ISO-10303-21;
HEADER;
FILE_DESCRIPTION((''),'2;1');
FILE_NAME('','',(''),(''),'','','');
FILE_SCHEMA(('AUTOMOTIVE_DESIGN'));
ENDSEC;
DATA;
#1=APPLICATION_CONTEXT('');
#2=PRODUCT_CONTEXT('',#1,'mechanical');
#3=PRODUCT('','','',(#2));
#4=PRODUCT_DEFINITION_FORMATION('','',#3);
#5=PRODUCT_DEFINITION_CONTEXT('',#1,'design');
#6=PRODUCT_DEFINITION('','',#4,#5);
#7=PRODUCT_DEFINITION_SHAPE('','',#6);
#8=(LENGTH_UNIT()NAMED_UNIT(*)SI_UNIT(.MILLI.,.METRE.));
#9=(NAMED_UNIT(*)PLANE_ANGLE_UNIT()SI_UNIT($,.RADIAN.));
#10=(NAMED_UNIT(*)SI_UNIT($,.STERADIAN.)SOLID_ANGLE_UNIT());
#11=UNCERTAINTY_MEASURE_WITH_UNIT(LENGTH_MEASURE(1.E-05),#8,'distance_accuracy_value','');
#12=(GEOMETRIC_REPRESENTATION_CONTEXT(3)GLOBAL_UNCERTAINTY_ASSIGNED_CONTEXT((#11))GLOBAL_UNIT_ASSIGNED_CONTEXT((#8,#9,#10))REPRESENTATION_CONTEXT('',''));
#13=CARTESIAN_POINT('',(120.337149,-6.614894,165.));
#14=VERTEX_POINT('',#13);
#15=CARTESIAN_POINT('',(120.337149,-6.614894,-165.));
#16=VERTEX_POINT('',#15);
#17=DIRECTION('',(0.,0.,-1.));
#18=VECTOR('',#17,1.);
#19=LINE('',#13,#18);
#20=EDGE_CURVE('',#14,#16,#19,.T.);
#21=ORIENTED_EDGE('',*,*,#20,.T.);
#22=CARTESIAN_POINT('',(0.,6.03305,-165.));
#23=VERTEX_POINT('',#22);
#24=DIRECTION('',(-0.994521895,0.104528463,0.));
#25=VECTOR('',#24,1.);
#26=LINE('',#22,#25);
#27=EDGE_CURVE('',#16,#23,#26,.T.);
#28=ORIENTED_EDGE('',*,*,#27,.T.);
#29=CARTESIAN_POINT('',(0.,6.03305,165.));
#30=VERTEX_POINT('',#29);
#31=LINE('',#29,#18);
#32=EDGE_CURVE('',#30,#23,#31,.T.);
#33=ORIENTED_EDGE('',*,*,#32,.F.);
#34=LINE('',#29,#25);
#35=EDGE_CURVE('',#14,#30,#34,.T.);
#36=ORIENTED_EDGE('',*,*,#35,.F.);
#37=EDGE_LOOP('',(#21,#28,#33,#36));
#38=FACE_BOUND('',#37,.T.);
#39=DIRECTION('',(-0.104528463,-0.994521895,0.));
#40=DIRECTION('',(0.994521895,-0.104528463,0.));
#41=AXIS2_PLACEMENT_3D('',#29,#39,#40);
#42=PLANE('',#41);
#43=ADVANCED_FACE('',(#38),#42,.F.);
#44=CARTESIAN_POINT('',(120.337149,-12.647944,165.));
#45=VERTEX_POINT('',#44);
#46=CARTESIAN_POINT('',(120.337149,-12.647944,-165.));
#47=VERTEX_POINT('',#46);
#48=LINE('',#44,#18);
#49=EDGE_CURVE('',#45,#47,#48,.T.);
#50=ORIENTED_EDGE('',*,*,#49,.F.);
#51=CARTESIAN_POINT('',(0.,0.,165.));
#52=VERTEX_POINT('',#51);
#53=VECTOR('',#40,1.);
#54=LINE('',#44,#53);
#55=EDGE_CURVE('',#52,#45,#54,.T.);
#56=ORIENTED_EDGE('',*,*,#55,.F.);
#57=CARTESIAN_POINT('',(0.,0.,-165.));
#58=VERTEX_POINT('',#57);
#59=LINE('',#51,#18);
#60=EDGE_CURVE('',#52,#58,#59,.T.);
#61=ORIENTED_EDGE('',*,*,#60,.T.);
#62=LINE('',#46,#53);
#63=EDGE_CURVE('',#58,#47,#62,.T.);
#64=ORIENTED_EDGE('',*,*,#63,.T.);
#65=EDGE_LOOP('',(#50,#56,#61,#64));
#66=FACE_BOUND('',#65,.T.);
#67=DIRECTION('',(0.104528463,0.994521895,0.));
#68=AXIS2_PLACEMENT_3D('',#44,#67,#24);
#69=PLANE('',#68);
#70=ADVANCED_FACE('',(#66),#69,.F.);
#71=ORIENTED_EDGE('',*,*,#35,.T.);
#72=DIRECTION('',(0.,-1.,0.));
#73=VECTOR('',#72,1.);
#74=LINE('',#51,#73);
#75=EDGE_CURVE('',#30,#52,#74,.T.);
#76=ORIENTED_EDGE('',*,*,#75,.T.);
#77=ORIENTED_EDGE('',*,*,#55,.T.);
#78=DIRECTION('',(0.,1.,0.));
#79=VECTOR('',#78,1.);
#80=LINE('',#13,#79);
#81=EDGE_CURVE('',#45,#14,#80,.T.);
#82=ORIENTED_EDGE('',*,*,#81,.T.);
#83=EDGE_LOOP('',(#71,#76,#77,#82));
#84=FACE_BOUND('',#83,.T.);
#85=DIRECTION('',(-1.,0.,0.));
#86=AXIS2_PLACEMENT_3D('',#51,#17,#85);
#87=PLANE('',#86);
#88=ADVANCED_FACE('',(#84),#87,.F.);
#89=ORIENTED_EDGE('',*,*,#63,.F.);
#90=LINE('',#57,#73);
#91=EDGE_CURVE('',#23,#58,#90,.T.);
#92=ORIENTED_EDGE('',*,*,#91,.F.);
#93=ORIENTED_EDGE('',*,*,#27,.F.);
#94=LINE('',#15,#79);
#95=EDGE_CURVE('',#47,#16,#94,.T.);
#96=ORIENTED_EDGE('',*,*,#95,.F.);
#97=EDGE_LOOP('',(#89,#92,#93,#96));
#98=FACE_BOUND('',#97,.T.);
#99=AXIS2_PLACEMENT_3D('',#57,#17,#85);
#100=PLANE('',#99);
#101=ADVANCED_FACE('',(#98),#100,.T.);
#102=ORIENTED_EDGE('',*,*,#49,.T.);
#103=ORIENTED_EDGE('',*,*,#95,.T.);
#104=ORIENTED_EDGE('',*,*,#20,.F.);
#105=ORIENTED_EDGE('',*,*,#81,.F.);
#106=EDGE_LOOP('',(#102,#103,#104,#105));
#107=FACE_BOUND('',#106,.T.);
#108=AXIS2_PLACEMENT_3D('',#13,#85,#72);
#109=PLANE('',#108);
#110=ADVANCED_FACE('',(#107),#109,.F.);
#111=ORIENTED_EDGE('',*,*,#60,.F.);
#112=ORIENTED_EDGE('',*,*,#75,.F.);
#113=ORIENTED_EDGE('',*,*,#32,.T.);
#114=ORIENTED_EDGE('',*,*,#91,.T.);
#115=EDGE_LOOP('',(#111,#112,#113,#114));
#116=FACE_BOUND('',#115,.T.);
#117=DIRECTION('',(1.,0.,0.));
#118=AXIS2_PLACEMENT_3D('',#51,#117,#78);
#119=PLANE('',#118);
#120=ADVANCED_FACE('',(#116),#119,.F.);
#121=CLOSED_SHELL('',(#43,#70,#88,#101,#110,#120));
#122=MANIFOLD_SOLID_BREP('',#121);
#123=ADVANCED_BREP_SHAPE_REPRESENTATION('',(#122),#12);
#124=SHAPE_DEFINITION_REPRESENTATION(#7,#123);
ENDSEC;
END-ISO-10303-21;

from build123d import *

# Parameters (mm, degrees)
BOSS_EXTRUDE2_DEPTH = 165


with BuildPart() as part:
    # Sketch2 → Boss-Extrude2 (new, symmetric)
    with BuildSketch(Plane.XY):
        Polygon((0, 0), (0, 6.033049677), (120.33714934, -6.614894378), (120.33714934, -12.647944055), align=None)
    extrude(amount=BOSS_EXTRUDE2_DEPTH, both=True)


solid = part.part
